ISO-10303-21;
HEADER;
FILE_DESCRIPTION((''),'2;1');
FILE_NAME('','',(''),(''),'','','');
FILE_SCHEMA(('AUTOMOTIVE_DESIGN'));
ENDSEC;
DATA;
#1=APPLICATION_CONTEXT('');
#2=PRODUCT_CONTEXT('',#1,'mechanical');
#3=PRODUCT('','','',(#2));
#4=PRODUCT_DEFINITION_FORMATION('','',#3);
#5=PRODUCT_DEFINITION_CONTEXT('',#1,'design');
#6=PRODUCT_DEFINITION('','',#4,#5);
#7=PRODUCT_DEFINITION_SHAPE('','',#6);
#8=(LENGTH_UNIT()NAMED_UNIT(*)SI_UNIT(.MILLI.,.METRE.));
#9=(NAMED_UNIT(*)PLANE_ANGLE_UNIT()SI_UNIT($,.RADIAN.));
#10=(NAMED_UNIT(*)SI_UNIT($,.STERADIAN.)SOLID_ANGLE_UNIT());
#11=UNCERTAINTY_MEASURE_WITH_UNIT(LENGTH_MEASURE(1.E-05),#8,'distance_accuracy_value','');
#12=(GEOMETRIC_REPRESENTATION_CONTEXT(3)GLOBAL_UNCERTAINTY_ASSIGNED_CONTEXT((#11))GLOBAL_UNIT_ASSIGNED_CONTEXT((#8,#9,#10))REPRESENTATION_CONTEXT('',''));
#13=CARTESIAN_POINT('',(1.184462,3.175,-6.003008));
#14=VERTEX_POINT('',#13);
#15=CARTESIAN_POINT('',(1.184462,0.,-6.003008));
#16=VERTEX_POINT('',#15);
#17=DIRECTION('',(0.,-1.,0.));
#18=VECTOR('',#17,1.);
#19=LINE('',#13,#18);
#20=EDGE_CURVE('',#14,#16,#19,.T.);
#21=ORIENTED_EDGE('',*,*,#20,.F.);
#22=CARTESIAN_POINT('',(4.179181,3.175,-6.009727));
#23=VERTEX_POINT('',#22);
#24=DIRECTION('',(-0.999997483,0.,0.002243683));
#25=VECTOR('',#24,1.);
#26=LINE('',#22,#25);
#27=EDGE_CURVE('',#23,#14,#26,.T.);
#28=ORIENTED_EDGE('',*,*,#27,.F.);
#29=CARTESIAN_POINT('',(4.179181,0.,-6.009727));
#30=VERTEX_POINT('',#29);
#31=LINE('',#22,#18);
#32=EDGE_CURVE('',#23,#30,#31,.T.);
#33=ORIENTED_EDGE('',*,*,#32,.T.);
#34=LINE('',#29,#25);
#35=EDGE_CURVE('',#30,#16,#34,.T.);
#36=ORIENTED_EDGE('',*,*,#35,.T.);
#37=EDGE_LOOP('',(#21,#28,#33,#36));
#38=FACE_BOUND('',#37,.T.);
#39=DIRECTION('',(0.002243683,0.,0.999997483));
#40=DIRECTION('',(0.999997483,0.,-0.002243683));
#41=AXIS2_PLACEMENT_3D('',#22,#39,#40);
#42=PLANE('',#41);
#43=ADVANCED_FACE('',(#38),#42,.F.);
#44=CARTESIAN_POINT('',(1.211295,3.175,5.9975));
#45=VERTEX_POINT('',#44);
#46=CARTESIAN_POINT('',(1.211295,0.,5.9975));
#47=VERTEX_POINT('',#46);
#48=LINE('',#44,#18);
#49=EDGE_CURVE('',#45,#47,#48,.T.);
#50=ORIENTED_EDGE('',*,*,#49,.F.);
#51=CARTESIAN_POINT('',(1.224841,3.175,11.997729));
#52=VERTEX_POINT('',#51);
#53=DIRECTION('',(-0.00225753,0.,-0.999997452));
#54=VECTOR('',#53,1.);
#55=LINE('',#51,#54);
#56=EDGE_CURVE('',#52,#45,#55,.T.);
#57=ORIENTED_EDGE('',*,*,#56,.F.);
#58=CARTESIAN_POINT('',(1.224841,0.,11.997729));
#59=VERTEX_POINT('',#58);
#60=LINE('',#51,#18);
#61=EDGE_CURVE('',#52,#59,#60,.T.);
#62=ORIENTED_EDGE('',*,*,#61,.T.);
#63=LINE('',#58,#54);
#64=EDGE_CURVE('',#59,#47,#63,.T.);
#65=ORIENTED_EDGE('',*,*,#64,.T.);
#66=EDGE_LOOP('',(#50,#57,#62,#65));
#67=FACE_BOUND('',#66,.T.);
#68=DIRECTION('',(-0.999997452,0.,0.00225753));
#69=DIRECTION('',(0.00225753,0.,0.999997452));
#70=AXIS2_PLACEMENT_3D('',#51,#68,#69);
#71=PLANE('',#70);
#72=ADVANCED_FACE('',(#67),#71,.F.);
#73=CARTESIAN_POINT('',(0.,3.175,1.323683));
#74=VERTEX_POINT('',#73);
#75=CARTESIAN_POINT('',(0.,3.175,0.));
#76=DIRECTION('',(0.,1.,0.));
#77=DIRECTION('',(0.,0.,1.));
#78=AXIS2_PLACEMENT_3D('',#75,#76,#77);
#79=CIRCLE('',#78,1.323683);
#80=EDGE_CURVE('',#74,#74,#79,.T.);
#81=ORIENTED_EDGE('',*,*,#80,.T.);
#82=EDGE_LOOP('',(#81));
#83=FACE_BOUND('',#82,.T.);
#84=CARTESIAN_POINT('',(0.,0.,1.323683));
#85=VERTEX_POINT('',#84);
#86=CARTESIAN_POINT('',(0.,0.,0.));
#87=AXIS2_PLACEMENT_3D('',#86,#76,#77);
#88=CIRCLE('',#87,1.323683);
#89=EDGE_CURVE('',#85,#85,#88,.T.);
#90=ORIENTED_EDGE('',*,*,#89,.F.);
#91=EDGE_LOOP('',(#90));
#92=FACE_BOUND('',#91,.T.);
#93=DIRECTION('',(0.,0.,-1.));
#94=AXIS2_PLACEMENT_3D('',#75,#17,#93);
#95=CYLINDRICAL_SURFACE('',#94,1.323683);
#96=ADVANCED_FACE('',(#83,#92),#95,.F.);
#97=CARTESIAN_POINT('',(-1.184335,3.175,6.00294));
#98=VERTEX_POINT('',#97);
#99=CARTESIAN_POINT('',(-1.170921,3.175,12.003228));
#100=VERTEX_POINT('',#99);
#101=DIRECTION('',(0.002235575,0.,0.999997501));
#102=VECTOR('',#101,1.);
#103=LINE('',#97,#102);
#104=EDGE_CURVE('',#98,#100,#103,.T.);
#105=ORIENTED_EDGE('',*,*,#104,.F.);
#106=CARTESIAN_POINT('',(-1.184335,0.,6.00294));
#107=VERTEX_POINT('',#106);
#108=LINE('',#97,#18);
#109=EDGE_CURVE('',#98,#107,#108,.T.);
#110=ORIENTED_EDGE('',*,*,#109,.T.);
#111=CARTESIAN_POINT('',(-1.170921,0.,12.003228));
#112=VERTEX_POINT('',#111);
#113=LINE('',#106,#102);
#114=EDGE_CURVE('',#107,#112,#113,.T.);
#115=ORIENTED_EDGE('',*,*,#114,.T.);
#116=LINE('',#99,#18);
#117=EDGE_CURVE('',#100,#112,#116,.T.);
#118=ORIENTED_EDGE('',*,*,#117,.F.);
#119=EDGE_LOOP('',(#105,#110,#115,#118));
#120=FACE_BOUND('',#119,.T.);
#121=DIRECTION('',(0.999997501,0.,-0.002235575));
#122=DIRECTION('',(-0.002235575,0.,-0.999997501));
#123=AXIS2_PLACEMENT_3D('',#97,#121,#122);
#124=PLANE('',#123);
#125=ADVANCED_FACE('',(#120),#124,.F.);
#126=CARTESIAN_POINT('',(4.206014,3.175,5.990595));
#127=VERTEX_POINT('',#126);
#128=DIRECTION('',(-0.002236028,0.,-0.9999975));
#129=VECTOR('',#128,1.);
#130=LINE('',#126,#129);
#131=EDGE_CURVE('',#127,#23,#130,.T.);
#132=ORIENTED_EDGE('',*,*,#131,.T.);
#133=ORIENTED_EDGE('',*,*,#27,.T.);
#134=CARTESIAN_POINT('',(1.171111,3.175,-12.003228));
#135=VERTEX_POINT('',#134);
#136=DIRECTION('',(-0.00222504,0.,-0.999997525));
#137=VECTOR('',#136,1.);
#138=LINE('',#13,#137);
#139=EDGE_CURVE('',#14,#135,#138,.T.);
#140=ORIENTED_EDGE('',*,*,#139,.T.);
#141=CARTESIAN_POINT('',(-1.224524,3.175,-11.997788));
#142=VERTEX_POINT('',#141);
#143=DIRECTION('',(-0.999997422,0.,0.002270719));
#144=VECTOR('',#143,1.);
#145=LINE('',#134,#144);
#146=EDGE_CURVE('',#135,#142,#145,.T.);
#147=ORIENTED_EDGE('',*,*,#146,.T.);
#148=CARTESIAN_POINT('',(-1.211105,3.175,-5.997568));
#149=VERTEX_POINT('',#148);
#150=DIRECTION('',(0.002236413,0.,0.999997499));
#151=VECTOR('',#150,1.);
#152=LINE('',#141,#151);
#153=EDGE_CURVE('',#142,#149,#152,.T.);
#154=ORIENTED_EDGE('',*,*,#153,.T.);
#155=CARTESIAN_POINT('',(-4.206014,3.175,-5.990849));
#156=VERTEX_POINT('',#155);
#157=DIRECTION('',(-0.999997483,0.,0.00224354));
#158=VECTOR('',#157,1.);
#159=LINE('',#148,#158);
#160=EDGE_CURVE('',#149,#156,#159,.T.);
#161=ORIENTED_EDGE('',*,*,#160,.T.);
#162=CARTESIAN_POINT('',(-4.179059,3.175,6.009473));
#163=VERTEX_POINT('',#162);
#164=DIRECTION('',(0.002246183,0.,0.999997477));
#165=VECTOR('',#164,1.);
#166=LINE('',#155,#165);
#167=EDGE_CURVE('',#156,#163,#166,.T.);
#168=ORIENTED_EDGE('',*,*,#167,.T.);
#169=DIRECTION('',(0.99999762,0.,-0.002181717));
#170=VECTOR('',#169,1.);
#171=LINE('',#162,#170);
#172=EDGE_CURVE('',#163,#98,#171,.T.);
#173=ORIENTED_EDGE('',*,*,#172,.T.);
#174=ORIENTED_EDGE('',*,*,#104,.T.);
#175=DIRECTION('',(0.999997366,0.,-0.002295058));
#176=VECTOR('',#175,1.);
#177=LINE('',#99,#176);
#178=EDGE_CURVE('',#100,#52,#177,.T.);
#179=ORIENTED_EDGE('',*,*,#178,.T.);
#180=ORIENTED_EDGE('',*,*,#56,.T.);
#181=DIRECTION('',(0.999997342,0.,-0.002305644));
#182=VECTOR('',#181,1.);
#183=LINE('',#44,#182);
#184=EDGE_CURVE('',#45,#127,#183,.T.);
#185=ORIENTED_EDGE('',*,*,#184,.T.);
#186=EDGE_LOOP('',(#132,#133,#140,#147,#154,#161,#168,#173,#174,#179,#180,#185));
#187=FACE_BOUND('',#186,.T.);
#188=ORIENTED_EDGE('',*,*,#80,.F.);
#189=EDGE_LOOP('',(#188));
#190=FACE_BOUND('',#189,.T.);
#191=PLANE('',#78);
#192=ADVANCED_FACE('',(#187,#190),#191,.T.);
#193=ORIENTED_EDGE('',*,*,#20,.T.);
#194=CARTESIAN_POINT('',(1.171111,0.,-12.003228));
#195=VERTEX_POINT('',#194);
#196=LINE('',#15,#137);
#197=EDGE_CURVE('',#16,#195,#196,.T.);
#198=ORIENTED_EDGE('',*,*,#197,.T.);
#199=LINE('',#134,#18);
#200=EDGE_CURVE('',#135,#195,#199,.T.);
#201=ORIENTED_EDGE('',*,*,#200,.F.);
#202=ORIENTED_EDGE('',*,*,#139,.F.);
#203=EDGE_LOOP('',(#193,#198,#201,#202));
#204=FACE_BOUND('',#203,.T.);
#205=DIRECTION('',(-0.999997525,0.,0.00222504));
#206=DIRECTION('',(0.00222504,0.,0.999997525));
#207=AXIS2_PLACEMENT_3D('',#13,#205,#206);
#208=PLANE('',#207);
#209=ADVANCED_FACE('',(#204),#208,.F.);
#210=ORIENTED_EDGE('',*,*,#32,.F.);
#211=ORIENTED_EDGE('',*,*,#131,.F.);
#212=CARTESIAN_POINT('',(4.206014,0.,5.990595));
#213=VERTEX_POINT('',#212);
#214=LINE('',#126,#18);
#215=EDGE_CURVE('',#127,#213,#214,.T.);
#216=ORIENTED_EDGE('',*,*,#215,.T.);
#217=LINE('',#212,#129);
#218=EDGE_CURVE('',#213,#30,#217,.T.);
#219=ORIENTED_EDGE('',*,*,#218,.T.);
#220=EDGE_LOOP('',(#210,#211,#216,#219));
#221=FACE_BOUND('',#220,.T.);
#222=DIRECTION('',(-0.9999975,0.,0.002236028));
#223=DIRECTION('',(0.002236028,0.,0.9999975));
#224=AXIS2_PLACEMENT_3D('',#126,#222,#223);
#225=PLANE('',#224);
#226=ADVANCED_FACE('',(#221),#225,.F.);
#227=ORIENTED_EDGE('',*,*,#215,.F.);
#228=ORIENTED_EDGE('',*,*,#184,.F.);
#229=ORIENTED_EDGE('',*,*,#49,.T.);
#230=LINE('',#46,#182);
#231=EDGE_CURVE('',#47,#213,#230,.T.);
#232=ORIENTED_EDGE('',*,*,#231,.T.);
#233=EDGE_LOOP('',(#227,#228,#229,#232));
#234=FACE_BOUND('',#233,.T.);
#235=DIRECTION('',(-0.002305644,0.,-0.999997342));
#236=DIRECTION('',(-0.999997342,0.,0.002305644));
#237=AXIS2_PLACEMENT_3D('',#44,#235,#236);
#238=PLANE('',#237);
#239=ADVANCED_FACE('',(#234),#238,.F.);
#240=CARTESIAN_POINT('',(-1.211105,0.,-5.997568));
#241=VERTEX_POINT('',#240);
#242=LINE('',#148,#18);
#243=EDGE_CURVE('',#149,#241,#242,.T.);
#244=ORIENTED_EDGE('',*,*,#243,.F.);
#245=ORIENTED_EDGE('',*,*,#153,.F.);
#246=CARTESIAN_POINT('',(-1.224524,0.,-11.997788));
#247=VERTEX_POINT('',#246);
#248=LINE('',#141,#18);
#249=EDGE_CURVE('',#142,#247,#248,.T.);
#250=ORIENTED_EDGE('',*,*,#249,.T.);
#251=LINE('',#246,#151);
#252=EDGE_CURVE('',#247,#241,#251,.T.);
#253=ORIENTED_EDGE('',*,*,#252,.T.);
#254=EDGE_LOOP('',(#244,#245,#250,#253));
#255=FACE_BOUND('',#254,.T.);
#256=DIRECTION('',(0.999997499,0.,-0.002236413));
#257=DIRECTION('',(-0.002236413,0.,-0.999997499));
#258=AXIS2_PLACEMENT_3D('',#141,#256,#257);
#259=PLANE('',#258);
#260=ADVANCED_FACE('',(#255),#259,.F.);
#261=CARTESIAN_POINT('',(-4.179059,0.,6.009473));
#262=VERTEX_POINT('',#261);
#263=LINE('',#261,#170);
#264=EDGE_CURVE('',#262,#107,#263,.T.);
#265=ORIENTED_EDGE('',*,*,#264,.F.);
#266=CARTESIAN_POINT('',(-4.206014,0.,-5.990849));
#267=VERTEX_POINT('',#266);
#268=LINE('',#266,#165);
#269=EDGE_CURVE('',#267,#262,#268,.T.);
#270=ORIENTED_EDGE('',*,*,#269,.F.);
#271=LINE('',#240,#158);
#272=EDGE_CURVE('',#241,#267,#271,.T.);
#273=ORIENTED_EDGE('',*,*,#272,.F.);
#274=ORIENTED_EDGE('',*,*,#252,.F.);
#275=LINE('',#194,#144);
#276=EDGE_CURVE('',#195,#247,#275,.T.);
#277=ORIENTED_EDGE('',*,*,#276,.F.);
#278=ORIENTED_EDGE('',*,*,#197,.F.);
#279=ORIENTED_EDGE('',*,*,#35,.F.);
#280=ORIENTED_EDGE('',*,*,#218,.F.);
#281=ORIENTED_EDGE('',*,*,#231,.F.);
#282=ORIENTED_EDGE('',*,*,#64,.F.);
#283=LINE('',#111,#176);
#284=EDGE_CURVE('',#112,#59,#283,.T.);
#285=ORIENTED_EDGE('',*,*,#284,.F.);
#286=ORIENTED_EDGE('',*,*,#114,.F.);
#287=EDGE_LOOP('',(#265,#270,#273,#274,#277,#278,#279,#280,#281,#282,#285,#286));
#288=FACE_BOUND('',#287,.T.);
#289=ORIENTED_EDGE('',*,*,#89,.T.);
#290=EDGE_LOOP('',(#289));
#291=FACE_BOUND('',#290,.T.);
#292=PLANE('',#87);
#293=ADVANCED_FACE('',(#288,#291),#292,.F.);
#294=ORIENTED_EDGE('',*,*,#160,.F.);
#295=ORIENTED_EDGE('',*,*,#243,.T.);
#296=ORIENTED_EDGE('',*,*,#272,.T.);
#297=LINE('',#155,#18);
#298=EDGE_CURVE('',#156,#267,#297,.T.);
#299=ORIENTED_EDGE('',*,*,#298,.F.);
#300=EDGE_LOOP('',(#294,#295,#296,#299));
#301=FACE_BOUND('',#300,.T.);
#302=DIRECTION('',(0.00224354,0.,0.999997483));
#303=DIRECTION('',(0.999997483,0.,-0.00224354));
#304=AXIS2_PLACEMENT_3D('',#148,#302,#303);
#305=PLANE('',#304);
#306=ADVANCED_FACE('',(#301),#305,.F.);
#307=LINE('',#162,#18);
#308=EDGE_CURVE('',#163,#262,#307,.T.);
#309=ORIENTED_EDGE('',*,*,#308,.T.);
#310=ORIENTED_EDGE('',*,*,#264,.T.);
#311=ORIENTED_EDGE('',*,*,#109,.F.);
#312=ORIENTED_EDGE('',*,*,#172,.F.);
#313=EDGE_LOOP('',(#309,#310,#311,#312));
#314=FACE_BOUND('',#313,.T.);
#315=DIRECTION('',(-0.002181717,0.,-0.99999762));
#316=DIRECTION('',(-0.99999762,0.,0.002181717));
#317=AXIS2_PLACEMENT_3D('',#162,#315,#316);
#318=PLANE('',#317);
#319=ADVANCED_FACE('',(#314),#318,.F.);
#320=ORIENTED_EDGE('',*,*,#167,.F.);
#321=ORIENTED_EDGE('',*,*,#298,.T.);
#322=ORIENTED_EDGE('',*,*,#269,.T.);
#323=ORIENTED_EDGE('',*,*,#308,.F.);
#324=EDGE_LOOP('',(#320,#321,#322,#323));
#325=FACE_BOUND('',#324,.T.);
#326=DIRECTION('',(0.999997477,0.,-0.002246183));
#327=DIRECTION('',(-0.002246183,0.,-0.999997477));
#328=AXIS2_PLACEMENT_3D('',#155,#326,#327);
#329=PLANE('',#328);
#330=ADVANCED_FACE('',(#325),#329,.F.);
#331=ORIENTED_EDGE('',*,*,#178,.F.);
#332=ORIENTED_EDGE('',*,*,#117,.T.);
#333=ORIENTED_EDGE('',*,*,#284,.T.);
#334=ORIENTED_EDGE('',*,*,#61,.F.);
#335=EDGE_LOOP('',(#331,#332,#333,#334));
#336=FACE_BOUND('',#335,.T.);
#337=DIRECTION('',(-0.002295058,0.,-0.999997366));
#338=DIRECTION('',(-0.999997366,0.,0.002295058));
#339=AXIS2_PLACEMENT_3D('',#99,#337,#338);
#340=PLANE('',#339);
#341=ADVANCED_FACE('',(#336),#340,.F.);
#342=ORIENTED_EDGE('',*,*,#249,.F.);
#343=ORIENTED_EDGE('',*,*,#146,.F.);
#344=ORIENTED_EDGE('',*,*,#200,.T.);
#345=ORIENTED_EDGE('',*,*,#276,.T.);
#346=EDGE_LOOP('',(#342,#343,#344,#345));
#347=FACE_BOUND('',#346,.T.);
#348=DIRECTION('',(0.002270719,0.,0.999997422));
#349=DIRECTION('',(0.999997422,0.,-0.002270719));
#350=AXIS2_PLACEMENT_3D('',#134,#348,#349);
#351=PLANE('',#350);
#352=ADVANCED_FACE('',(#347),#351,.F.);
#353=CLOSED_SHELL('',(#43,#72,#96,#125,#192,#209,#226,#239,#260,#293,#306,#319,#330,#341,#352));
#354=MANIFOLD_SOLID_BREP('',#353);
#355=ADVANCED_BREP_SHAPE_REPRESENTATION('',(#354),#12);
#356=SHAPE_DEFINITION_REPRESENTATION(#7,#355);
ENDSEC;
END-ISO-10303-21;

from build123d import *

# Parameters (mm, degrees)
SKETCH1_R           = 1.323683328
BOSS_EXTRUDE1_DEPTH = 3.175


with BuildPart() as part:
    # Sketch1 → Boss-Extrude1 (new body)
    with BuildSketch(Plane(origin=(0, 0, 0), x_dir=(1, 0, 0), z_dir=(0, 1, 0))):
        Polygon((-1.184335339, -6.002939565), (-1.170921212, -12.003227579), (1.224840933, -11.997729152), (1.211295199, -5.997499736), (4.206013721, -5.990594961), (4.179180593, 6.009727143), (1.184462071, 6.003007929), (1.17111131, 12.003227579), (-1.224524102, 11.99778775), (-1.211105101, 5.9975681), (-4.206013721, 5.990848885), (-4.179058735, -6.00947322), align=None)
        with Locations(Location((0, 0, 0), (0, 0, 270))):
            Circle(SKETCH1_R, mode=Mode.SUBTRACT)
    extrude(amount=BOSS_EXTRUDE1_DEPTH)


solid = part.part
